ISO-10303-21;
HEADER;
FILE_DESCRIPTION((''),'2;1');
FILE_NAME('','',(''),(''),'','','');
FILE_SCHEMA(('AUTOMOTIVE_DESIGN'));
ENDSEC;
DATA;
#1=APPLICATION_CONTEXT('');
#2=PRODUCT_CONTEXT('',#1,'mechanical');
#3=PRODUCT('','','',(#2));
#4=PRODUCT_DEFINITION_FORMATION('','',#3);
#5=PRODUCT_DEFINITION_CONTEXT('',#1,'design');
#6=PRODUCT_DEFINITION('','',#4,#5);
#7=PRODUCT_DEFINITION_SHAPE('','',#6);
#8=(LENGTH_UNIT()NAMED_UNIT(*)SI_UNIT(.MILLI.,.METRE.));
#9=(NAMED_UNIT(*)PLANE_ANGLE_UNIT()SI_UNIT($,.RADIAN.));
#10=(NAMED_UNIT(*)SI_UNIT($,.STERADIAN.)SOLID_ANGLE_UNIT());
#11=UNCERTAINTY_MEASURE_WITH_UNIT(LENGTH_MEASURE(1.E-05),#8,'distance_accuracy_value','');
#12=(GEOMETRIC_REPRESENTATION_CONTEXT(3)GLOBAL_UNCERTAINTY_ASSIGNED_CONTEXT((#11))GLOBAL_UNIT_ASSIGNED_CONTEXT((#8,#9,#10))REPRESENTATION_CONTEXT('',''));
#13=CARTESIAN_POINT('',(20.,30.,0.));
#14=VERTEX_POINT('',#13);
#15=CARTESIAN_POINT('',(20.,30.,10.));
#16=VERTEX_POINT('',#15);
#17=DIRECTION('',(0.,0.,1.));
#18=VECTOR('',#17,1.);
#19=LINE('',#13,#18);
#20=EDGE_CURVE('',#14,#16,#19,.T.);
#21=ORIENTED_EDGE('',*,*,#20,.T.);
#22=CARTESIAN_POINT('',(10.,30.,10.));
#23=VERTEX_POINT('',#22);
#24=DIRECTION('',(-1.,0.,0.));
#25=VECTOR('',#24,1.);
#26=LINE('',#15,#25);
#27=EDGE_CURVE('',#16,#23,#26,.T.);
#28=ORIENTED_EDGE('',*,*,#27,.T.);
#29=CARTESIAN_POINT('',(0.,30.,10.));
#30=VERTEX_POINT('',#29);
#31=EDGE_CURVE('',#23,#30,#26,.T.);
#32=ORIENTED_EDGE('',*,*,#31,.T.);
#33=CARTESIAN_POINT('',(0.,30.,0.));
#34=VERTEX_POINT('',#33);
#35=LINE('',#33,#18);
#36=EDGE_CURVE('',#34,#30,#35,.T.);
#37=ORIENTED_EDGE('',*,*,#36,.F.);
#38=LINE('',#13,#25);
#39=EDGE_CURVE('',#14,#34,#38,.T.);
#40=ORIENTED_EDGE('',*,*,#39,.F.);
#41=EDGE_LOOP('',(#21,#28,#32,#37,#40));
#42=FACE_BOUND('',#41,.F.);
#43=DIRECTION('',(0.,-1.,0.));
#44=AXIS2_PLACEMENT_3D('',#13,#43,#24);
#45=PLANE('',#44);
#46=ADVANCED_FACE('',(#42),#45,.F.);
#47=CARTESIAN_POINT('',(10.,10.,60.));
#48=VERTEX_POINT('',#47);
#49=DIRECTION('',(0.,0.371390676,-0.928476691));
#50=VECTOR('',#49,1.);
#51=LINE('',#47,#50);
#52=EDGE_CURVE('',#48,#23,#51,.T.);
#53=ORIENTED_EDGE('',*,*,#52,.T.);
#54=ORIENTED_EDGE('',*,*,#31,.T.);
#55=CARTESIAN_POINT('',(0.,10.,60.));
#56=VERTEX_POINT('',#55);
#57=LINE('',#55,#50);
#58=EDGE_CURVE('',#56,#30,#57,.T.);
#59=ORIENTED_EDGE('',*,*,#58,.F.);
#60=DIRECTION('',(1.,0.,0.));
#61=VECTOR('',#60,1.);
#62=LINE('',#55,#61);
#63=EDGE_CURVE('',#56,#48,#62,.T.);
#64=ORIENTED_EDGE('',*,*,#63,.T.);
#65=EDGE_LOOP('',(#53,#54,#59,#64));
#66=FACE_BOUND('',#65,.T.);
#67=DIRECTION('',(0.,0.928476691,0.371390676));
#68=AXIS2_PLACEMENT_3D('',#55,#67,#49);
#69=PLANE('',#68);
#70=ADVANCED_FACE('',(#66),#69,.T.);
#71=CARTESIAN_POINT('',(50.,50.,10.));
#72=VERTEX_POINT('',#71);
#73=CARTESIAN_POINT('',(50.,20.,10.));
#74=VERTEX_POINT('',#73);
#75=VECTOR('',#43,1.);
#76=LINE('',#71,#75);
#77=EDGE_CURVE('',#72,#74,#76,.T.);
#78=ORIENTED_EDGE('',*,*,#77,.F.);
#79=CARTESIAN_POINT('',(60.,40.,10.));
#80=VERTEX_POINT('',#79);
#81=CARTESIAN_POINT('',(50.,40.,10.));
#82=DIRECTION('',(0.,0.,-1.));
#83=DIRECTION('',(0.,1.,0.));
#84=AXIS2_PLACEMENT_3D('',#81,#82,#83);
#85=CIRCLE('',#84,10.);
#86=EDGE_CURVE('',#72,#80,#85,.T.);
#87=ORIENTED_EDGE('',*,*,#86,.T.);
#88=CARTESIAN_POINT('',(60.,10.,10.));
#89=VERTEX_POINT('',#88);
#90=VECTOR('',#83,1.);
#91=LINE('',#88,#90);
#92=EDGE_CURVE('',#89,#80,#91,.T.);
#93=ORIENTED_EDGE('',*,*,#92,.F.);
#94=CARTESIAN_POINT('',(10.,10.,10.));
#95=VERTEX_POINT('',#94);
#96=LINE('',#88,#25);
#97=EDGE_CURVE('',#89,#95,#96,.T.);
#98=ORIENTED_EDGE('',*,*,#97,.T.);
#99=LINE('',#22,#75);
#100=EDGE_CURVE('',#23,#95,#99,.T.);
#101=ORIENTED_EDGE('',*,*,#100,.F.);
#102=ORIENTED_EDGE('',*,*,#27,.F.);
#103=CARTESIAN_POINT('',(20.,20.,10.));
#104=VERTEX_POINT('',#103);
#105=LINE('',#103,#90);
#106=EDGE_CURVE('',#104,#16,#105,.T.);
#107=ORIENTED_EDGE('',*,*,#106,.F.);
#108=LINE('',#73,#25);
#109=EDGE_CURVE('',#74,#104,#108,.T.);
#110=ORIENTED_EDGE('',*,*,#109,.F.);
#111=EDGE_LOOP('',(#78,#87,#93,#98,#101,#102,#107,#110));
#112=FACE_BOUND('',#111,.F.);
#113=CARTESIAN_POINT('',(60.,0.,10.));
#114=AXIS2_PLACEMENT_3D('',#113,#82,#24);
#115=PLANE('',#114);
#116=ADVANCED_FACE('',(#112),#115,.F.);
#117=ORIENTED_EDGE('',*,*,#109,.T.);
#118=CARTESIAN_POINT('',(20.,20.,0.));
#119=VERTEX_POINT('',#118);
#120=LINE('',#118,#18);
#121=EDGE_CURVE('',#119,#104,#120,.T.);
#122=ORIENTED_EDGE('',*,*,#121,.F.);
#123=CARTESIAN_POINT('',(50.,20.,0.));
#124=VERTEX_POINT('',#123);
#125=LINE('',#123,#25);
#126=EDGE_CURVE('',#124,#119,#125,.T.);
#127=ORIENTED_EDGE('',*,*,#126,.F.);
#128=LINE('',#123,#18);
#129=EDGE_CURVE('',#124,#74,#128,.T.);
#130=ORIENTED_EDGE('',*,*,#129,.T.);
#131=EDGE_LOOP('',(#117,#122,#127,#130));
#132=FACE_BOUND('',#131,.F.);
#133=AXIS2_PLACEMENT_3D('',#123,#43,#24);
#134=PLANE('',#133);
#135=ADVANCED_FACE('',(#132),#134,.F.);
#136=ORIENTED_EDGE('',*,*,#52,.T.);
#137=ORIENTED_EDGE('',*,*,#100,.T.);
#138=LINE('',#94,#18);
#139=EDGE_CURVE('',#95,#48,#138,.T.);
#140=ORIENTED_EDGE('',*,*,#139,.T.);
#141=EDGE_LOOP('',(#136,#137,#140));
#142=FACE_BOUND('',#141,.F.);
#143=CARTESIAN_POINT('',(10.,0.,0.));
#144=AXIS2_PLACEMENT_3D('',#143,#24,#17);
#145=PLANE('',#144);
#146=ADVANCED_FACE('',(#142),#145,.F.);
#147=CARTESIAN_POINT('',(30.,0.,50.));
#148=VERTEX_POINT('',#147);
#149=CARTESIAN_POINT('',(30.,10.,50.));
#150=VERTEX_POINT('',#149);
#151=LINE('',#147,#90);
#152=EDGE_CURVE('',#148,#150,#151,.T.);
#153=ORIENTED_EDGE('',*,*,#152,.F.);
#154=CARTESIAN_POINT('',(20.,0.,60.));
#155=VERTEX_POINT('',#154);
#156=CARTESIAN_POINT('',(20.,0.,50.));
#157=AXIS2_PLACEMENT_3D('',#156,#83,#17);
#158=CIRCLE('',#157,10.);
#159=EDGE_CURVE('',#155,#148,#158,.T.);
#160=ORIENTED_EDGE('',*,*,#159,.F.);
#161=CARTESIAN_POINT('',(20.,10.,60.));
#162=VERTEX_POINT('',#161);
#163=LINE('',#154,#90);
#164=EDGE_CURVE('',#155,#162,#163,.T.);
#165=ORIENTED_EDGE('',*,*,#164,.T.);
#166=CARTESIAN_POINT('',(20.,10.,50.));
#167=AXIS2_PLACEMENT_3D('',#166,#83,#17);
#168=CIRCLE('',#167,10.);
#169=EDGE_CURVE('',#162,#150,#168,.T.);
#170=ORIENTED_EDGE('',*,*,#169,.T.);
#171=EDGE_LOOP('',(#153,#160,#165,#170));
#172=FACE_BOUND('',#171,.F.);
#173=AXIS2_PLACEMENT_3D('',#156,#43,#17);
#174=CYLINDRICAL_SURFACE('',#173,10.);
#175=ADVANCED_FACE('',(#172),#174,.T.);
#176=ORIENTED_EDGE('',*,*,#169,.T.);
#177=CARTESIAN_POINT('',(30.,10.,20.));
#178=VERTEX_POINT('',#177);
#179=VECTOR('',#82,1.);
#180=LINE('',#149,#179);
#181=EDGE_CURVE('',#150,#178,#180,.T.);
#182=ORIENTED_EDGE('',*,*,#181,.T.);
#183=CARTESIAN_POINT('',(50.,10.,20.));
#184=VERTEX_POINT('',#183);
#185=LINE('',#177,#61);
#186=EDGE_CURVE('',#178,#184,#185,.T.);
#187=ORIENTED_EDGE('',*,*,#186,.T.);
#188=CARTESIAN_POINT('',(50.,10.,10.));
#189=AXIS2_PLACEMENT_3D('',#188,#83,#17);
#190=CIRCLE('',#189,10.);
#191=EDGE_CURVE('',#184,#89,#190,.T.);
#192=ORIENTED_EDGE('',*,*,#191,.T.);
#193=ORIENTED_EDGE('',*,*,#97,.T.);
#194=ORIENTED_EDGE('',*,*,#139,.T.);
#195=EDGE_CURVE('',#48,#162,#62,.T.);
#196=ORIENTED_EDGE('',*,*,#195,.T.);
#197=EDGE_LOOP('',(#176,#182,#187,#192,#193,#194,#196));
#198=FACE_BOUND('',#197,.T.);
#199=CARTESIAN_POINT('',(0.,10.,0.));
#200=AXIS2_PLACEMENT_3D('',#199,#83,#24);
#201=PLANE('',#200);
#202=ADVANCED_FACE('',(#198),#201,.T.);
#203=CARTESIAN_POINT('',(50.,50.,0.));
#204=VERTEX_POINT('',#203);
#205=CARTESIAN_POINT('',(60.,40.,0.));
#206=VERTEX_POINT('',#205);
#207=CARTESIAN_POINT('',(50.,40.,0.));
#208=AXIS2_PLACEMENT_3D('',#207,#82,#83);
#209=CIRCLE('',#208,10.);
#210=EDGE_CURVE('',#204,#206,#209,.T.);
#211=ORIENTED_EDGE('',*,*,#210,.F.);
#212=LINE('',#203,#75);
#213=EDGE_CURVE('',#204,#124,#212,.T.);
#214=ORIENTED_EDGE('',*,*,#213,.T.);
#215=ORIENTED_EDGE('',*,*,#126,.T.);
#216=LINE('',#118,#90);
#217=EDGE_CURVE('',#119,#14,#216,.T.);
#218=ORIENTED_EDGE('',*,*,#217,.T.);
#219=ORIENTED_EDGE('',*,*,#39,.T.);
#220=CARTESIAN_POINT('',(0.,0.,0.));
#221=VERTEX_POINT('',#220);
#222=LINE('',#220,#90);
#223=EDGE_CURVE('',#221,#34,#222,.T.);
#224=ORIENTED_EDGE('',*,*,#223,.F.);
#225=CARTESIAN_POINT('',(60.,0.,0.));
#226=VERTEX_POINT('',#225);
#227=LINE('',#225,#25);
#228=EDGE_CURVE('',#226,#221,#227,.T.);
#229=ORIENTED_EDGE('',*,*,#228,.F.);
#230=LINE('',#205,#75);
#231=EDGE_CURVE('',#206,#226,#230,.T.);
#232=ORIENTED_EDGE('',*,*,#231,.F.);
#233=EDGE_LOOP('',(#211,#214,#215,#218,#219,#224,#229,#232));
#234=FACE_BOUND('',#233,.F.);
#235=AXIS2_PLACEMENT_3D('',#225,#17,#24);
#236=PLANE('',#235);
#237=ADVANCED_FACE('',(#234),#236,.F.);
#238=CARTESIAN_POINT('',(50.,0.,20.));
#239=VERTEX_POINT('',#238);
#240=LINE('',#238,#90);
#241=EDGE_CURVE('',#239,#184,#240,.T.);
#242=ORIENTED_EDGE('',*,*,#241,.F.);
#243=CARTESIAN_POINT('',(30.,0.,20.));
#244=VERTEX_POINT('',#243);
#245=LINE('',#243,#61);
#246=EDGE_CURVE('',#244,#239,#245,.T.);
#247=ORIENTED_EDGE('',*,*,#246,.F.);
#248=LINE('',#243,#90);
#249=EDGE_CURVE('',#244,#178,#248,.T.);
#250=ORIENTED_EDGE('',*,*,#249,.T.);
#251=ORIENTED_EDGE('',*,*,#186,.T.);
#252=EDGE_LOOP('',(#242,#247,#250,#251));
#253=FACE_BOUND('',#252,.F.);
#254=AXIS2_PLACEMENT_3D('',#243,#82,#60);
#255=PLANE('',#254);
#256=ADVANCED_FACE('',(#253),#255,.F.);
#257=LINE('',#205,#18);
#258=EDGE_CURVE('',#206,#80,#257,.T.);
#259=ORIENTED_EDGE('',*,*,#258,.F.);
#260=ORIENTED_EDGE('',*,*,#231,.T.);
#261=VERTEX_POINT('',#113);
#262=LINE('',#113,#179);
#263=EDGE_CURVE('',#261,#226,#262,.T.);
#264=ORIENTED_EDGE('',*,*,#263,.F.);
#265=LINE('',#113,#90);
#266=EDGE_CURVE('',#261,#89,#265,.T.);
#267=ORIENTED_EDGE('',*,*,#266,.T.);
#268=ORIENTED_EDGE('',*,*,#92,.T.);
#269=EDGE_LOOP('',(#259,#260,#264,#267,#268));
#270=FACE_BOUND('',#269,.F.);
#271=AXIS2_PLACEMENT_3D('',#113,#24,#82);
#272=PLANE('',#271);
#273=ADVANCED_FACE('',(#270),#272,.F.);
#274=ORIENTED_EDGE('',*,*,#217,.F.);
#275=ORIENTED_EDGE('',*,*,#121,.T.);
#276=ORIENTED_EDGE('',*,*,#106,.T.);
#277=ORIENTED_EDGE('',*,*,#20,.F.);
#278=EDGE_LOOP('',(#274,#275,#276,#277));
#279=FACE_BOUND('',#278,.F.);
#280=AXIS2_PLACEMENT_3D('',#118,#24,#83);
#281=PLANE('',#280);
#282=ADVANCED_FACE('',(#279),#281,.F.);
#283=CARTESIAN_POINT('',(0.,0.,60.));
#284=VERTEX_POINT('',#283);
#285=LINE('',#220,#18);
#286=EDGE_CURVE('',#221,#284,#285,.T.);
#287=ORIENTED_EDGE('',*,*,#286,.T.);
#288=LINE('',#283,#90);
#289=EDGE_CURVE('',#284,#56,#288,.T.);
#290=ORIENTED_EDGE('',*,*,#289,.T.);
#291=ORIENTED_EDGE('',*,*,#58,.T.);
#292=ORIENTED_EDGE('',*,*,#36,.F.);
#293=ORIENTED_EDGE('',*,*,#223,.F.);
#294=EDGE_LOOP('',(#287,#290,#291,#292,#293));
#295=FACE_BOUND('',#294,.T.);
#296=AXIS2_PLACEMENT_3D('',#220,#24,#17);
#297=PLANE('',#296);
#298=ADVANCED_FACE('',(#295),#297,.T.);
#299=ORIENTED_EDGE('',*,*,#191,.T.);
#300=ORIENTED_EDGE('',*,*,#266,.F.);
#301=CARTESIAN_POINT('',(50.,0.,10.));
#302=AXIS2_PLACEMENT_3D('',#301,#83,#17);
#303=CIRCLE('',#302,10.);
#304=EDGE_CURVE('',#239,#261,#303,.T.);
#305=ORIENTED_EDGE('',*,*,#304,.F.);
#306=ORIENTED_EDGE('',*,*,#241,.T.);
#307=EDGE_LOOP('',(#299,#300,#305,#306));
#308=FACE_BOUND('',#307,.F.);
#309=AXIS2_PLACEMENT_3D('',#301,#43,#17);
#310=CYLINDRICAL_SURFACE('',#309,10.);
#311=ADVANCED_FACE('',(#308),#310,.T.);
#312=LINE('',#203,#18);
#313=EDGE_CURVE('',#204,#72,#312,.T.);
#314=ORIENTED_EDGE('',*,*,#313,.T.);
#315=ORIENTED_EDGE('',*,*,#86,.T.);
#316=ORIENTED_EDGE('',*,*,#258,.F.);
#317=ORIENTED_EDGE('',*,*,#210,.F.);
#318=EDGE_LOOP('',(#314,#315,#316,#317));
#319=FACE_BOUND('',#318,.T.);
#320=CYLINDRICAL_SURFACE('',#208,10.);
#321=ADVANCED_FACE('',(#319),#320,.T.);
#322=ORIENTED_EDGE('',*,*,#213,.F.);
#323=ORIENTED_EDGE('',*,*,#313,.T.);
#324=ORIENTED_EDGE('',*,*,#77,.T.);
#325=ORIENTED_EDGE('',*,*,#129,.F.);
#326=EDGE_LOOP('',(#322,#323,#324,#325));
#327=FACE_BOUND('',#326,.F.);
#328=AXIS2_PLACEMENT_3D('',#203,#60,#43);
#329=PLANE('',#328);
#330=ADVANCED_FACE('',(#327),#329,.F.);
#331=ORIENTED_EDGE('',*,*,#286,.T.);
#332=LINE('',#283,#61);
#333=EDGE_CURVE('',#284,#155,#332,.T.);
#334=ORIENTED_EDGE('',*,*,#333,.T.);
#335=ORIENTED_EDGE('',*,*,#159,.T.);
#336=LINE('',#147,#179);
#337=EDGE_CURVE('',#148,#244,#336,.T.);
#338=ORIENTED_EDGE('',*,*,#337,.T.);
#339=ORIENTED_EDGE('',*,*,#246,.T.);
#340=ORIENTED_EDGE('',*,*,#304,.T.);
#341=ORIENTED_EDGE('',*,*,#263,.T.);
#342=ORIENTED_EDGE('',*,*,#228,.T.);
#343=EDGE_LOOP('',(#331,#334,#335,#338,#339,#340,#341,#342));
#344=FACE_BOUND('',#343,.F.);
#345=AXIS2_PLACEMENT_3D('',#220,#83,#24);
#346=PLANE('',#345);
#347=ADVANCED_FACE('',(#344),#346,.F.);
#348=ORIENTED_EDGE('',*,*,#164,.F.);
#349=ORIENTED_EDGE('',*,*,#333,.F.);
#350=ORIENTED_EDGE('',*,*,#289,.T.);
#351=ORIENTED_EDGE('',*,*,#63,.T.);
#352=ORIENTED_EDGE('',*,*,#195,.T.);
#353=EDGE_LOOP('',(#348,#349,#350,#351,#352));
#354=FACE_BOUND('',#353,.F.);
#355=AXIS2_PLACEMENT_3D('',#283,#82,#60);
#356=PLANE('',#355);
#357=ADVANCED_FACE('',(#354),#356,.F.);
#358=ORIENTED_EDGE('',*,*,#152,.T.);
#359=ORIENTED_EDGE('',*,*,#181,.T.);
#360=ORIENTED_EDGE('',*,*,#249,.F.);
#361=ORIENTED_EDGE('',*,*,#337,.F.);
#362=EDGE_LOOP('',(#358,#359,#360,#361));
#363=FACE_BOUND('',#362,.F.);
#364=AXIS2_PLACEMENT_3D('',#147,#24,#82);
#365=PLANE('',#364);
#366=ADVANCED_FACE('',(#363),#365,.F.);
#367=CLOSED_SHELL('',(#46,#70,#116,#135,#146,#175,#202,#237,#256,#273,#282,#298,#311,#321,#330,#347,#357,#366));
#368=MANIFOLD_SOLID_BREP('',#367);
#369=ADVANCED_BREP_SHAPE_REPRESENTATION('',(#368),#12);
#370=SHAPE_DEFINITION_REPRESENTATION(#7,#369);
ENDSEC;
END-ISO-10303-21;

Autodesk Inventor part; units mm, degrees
ref_plane "YZ Plane" through (0, 0, 0) normal (1, 0, 0) x (0, 1, 0)
ref_plane "XZ Plane" through (0, 0, 0) normal (0, 1, 0) x (-1, 0, 0)
ref_plane "XY Plane" through (0, 0, 0) normal (0, 0, 1) x (1, 0, 0)
sketch "草圖1" plane through (0, 0, 0) normal (0, 1, 0) x (-1, 0, 0)
  line L0 (0, 0) -> (0, 60)
  line L1 (-60, 10) -> (-60, 0)
  line L2 (-60, 0) -> (0, 0)
  line L3 (0, 60) -> (-20, 60)
  arc A0 (-20, 60) -> (-30, 50) centre (-20, 50) ccw
  line L4 (-30, 50) -> (-30, 20)
  line L5 (-30, 20) -> (-50, 20)
  arc A1 (-50, 20) -> (-60, 10) centre (-50, 10) ccw
  dimension "d0" = 60
  dimension "d1" = 10
  dimension "d2" = 20
  dimension "d3" = 60
  dimension "d4" = 30
  dimension "d5" = 20
extrude "擠出1" add sketch "草圖1" along normal blind 10
sketch "草圖2" plane through (60, 0, 0) normal (0, 0, -1) x (-1, 0, 0)
  line L0 (0, 0) -> (0, 10) projected
  line L1 (0, 10) -> (60, 10) projected
  line L2 (60, 10) -> (60, 0) projected
  line L3 (60, 0) -> (0, 0) projected
  line L4 (0, 10) -> (0, 40)
  arc A0 (10, 50) -> (0, 40) centre (10, 40) ccw
  line L5 (10, 50) -> (10, 20)
  line L6 (10, 20) -> (40, 20)
  line L7 (40, 20) -> (40, 30)
  line L8 (40, 30) -> (60, 30)
  line L9 (60, 30) -> (60, 10)
  dimension "d8" = 30
  dimension "d9" = 20
  dimension "d10" = 10
  dimension "d11" = 20
  dimension "d12" = 50
extrude "擠出2" add sketch "草圖2" against normal blind 10 contours L4 A0 L5 L6 L7 L8 L9 L1
sketch "草圖3" plane through (0, 0, 0) normal (-1, 0, 0) x (0, 0, 1)
  line L0 (0, 30) -> (10, 30) projected
  line L1 (10, 30) -> (10, 10) projected
  line L2 (10, 10) -> (60, 10) projected
  line L3 (60, 10) -> (60, 0) projected
  line L4 (60, 0) -> (0, 0) projected
  line L5 (0, 0) -> (0, 30) projected
  line L6 (60, 10) -> (10, 30)
extrude "擠出3" add sketch "草圖3" against normal blind 10 contours L6 L2 L1
properties part number "5" material "鋼、碳鋼"
